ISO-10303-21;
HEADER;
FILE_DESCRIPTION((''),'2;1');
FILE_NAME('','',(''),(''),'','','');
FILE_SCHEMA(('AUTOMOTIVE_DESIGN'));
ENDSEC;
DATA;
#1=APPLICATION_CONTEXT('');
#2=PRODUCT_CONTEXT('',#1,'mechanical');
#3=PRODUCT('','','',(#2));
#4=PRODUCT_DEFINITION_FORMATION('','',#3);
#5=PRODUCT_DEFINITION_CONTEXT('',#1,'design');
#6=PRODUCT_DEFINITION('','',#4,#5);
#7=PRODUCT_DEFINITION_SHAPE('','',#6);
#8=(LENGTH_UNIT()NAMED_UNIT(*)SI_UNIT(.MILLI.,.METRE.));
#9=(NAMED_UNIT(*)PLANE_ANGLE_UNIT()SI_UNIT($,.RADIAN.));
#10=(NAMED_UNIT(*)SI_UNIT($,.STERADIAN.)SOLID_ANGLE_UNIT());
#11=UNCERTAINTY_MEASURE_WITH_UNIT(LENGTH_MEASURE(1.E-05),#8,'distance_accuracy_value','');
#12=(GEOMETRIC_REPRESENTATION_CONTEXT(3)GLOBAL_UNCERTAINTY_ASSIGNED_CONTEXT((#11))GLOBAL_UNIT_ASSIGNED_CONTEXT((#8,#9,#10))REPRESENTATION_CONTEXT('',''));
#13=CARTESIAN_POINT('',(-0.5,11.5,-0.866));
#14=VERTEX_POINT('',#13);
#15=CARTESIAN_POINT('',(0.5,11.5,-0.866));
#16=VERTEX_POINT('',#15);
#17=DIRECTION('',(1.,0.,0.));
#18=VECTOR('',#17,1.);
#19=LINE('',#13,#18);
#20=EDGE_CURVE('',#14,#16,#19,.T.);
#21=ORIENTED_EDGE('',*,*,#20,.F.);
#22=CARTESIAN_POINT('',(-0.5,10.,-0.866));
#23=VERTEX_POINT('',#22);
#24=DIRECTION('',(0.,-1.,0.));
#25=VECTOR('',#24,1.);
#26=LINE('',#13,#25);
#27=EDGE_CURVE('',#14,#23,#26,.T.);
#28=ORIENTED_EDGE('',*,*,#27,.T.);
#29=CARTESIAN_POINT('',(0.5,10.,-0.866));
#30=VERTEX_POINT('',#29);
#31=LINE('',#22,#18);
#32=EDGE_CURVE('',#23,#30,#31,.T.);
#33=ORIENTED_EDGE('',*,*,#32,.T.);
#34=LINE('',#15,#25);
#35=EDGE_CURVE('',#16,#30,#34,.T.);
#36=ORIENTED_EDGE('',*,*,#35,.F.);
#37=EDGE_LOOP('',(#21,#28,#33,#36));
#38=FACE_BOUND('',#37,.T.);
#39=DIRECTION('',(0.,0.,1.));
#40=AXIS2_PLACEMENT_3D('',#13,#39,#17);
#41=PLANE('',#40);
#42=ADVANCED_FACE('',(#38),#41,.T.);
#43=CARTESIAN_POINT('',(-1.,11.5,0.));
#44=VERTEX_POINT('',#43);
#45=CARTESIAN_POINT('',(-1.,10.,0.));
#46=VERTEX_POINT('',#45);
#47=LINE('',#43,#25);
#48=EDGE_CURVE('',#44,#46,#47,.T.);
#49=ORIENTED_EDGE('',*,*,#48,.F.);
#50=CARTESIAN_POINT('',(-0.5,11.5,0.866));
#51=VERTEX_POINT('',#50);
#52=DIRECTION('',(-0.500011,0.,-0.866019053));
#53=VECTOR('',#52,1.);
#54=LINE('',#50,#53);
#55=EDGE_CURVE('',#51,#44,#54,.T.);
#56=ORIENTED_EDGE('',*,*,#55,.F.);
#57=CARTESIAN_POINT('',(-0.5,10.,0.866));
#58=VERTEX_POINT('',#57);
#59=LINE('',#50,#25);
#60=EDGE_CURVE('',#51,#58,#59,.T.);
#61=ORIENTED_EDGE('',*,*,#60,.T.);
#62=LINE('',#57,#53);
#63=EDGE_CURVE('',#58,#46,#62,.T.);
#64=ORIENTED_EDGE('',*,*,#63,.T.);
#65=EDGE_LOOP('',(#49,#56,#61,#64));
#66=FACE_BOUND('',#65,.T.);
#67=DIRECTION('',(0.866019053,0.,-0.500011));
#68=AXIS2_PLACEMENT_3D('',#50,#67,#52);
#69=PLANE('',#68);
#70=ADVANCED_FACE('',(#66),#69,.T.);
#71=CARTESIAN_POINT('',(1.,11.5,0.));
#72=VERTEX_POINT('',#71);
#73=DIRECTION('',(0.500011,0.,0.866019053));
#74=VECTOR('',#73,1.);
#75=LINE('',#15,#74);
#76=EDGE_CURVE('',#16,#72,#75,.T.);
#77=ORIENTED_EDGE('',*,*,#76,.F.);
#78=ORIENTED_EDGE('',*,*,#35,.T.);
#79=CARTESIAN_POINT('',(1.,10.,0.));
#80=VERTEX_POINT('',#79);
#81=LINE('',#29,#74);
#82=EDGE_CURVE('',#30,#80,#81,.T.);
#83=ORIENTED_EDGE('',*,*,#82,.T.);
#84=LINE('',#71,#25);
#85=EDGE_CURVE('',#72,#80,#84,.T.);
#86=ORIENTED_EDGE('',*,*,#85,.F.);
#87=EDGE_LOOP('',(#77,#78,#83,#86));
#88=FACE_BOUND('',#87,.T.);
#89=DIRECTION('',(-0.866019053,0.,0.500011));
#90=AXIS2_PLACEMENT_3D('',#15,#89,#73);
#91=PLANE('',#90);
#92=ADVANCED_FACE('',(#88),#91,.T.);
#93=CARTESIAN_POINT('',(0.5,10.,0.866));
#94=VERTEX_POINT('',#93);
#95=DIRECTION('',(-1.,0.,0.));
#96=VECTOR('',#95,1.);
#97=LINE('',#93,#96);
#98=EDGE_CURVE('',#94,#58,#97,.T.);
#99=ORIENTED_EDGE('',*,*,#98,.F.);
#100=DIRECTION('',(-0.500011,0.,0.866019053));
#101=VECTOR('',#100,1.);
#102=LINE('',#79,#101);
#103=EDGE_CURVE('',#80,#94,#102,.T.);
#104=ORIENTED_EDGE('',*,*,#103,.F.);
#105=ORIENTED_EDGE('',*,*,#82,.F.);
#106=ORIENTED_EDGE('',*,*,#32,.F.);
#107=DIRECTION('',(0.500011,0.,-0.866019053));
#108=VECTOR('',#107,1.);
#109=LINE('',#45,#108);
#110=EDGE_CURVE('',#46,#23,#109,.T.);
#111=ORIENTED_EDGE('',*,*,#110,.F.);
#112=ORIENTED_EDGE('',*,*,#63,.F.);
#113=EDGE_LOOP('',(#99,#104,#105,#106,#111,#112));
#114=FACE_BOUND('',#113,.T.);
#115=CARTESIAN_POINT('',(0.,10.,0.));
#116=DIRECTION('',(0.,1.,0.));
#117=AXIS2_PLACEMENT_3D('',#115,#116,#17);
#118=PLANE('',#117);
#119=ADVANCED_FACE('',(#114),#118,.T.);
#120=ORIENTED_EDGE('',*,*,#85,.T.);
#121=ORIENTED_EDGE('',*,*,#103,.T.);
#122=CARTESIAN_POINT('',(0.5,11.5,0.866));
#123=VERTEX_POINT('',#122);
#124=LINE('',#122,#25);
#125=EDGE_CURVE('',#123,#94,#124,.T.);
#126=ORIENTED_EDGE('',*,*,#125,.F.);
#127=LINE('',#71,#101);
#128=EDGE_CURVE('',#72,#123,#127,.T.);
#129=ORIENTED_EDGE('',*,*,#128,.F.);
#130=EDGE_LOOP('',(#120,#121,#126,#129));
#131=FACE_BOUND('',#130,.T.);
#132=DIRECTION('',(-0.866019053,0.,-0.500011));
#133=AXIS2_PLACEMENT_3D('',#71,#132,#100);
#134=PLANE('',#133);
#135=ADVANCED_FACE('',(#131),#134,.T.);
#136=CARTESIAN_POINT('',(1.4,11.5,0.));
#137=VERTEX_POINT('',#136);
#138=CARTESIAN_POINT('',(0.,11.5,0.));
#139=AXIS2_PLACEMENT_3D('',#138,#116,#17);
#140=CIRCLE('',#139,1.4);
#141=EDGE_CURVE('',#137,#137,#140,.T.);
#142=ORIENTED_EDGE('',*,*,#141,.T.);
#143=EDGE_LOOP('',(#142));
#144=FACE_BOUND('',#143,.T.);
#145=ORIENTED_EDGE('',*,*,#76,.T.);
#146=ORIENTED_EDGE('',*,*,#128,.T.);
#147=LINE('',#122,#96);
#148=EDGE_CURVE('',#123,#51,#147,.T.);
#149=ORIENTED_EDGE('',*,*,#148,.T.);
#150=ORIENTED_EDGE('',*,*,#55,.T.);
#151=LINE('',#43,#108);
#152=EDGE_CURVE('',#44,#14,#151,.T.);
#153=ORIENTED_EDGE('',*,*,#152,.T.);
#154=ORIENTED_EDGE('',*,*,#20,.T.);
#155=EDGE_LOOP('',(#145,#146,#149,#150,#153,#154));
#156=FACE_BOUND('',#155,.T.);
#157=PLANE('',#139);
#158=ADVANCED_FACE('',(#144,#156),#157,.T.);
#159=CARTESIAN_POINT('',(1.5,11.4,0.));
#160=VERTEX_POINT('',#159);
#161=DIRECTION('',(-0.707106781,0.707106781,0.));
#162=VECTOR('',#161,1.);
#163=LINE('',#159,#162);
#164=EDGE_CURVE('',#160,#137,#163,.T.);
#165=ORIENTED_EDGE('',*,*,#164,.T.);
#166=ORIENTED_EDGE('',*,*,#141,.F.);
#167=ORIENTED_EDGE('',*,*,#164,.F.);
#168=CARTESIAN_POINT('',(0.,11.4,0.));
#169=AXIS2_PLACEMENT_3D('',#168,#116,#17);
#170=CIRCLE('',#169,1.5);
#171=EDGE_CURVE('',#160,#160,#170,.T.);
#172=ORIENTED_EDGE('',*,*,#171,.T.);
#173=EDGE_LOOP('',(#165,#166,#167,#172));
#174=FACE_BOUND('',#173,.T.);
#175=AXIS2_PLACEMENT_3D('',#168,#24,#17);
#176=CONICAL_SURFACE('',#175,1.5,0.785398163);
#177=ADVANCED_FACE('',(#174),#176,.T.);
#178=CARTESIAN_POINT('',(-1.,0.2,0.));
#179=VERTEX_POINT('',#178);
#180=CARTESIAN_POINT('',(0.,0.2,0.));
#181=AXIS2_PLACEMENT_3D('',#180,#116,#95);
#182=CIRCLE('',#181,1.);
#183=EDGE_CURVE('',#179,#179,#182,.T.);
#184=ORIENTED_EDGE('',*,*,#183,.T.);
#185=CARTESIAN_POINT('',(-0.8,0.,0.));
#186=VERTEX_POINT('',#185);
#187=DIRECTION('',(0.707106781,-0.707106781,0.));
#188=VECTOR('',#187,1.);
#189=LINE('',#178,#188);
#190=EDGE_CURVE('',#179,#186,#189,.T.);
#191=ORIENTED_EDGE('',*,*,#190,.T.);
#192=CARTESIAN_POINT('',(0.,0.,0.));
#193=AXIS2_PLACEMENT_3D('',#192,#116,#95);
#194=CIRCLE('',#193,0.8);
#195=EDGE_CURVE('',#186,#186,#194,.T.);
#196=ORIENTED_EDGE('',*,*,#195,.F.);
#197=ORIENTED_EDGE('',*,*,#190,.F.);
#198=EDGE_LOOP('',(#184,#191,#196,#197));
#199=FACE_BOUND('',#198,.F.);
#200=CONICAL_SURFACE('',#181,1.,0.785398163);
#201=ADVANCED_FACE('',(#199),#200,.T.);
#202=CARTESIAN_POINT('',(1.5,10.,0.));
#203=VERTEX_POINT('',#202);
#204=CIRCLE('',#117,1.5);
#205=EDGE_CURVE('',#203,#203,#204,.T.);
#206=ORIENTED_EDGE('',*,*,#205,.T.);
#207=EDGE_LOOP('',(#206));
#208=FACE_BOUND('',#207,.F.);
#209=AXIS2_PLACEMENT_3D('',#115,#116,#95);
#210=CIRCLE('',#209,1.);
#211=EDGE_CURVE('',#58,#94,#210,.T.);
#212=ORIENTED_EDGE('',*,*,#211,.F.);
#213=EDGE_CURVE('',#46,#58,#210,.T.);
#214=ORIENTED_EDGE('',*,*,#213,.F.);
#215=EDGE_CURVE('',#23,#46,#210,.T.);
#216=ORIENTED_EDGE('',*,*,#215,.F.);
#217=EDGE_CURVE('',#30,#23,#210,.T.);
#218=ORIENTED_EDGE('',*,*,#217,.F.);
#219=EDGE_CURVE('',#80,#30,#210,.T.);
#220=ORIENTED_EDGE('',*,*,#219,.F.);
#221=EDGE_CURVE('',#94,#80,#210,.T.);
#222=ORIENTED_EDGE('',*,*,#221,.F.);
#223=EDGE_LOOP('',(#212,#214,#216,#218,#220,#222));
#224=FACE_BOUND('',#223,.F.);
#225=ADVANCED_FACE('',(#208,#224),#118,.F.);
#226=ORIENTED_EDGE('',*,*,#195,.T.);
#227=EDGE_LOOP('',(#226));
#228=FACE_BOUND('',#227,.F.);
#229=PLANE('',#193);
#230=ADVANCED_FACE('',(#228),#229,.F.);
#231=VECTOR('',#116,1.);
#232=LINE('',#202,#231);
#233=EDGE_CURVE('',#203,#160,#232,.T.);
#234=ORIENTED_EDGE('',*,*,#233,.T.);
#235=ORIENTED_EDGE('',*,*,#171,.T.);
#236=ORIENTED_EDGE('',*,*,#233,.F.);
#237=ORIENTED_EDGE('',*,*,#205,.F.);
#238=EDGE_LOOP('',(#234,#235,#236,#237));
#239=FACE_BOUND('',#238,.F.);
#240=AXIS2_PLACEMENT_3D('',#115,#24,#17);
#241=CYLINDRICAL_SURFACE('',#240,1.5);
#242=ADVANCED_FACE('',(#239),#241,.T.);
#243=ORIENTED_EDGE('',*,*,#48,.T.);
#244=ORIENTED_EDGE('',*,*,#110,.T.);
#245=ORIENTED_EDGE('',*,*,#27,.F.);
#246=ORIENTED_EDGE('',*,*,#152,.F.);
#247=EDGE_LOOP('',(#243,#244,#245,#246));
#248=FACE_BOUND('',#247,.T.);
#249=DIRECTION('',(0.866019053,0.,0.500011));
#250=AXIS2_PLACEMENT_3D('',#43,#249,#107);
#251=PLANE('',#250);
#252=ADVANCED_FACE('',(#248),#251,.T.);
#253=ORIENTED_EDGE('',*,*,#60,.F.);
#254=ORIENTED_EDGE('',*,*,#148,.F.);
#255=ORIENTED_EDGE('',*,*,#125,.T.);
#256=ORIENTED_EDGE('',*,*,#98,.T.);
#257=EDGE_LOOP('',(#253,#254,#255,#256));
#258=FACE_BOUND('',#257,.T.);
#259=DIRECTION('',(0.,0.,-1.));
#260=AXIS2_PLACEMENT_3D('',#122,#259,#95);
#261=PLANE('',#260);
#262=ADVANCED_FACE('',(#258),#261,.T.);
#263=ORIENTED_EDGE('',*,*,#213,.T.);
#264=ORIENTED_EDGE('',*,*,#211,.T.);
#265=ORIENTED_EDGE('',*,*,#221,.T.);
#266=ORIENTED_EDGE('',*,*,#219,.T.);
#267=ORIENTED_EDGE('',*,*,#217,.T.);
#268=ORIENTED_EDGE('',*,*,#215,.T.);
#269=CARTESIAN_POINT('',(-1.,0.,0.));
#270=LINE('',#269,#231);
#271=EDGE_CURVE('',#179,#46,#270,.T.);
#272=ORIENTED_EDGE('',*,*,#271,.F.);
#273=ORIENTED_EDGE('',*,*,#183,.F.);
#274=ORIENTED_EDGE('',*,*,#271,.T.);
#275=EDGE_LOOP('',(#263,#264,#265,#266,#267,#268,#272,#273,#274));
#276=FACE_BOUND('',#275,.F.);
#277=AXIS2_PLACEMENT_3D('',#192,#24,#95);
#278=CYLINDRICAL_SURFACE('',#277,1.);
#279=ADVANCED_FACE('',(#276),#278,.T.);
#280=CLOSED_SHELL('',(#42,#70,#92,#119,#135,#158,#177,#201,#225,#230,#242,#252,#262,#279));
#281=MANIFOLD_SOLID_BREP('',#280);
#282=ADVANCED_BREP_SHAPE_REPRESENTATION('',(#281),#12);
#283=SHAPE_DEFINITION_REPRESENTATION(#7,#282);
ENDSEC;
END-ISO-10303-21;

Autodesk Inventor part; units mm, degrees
ref_plane "YZ Plane" through (0, 0, 0) normal (1, 0, 0) x (0, 1, 0)
ref_plane "XZ Plane" through (0, 0, 0) normal (0, 1, 0) x (-1, 0, 0)
ref_plane "XY Plane" through (0, 0, 0) normal (0, 0, 1) x (1, 0, 0)
sketch "Sketch1" plane through (0, 0, 0) normal (0, 1, 0) x (-1, 0, 0)
  circle A0 centre (0, 0) radius 1
  dimension "d0" = 2
extrude "Extrusion1" add sketch "Sketch1" along normal blind 10
sketch "Sketch2" plane through (0, 10, 0) normal (0, 1, 0) x (1, 0, 0)
  circle A0 centre (0, 0) radius 1.5
  dimension "d3" = 3
extrude "Extrusion2" add sketch "Sketch2" along normal blind 1.5
sketch "Sketch3" plane through (0, 11.5, 0) normal (0, 1, 0) x (1, 0, 0)
  circle A0 centre (0, 0) radius 1 projected
  line L0 (-1, 0) -> (-0.5, 0.866)
  line L1 (-0.5, 0.866) -> (0.5, 0.866)
  line L2 (0.5, 0.866) -> (1, 0)
  line L3 (1, 0) -> (0.5, -0.866)
  line L4 (0.5, -0.866) -> (-0.5, -0.866)
  line L5 (-0.5, -0.866) -> (-1, 0)
extrude "Extrusion3" cut sketch "Sketch3" against normal blind 1.5 contours L3 L4 L5 L0 L1 L2
chamfer "Chamfer1" distance 0.2 angle 45 1 edges at (1, 0, 0)
chamfer "Chamfer2" distance 0.1 angle 45 1 edges at (-1.5, 11.5, 0)
thread "Thread1" size "M2x0.4" class "6g" standard "ANSI Metric M Profile" full length
properties part number "LCD Screw" material "Stainless Steel"
